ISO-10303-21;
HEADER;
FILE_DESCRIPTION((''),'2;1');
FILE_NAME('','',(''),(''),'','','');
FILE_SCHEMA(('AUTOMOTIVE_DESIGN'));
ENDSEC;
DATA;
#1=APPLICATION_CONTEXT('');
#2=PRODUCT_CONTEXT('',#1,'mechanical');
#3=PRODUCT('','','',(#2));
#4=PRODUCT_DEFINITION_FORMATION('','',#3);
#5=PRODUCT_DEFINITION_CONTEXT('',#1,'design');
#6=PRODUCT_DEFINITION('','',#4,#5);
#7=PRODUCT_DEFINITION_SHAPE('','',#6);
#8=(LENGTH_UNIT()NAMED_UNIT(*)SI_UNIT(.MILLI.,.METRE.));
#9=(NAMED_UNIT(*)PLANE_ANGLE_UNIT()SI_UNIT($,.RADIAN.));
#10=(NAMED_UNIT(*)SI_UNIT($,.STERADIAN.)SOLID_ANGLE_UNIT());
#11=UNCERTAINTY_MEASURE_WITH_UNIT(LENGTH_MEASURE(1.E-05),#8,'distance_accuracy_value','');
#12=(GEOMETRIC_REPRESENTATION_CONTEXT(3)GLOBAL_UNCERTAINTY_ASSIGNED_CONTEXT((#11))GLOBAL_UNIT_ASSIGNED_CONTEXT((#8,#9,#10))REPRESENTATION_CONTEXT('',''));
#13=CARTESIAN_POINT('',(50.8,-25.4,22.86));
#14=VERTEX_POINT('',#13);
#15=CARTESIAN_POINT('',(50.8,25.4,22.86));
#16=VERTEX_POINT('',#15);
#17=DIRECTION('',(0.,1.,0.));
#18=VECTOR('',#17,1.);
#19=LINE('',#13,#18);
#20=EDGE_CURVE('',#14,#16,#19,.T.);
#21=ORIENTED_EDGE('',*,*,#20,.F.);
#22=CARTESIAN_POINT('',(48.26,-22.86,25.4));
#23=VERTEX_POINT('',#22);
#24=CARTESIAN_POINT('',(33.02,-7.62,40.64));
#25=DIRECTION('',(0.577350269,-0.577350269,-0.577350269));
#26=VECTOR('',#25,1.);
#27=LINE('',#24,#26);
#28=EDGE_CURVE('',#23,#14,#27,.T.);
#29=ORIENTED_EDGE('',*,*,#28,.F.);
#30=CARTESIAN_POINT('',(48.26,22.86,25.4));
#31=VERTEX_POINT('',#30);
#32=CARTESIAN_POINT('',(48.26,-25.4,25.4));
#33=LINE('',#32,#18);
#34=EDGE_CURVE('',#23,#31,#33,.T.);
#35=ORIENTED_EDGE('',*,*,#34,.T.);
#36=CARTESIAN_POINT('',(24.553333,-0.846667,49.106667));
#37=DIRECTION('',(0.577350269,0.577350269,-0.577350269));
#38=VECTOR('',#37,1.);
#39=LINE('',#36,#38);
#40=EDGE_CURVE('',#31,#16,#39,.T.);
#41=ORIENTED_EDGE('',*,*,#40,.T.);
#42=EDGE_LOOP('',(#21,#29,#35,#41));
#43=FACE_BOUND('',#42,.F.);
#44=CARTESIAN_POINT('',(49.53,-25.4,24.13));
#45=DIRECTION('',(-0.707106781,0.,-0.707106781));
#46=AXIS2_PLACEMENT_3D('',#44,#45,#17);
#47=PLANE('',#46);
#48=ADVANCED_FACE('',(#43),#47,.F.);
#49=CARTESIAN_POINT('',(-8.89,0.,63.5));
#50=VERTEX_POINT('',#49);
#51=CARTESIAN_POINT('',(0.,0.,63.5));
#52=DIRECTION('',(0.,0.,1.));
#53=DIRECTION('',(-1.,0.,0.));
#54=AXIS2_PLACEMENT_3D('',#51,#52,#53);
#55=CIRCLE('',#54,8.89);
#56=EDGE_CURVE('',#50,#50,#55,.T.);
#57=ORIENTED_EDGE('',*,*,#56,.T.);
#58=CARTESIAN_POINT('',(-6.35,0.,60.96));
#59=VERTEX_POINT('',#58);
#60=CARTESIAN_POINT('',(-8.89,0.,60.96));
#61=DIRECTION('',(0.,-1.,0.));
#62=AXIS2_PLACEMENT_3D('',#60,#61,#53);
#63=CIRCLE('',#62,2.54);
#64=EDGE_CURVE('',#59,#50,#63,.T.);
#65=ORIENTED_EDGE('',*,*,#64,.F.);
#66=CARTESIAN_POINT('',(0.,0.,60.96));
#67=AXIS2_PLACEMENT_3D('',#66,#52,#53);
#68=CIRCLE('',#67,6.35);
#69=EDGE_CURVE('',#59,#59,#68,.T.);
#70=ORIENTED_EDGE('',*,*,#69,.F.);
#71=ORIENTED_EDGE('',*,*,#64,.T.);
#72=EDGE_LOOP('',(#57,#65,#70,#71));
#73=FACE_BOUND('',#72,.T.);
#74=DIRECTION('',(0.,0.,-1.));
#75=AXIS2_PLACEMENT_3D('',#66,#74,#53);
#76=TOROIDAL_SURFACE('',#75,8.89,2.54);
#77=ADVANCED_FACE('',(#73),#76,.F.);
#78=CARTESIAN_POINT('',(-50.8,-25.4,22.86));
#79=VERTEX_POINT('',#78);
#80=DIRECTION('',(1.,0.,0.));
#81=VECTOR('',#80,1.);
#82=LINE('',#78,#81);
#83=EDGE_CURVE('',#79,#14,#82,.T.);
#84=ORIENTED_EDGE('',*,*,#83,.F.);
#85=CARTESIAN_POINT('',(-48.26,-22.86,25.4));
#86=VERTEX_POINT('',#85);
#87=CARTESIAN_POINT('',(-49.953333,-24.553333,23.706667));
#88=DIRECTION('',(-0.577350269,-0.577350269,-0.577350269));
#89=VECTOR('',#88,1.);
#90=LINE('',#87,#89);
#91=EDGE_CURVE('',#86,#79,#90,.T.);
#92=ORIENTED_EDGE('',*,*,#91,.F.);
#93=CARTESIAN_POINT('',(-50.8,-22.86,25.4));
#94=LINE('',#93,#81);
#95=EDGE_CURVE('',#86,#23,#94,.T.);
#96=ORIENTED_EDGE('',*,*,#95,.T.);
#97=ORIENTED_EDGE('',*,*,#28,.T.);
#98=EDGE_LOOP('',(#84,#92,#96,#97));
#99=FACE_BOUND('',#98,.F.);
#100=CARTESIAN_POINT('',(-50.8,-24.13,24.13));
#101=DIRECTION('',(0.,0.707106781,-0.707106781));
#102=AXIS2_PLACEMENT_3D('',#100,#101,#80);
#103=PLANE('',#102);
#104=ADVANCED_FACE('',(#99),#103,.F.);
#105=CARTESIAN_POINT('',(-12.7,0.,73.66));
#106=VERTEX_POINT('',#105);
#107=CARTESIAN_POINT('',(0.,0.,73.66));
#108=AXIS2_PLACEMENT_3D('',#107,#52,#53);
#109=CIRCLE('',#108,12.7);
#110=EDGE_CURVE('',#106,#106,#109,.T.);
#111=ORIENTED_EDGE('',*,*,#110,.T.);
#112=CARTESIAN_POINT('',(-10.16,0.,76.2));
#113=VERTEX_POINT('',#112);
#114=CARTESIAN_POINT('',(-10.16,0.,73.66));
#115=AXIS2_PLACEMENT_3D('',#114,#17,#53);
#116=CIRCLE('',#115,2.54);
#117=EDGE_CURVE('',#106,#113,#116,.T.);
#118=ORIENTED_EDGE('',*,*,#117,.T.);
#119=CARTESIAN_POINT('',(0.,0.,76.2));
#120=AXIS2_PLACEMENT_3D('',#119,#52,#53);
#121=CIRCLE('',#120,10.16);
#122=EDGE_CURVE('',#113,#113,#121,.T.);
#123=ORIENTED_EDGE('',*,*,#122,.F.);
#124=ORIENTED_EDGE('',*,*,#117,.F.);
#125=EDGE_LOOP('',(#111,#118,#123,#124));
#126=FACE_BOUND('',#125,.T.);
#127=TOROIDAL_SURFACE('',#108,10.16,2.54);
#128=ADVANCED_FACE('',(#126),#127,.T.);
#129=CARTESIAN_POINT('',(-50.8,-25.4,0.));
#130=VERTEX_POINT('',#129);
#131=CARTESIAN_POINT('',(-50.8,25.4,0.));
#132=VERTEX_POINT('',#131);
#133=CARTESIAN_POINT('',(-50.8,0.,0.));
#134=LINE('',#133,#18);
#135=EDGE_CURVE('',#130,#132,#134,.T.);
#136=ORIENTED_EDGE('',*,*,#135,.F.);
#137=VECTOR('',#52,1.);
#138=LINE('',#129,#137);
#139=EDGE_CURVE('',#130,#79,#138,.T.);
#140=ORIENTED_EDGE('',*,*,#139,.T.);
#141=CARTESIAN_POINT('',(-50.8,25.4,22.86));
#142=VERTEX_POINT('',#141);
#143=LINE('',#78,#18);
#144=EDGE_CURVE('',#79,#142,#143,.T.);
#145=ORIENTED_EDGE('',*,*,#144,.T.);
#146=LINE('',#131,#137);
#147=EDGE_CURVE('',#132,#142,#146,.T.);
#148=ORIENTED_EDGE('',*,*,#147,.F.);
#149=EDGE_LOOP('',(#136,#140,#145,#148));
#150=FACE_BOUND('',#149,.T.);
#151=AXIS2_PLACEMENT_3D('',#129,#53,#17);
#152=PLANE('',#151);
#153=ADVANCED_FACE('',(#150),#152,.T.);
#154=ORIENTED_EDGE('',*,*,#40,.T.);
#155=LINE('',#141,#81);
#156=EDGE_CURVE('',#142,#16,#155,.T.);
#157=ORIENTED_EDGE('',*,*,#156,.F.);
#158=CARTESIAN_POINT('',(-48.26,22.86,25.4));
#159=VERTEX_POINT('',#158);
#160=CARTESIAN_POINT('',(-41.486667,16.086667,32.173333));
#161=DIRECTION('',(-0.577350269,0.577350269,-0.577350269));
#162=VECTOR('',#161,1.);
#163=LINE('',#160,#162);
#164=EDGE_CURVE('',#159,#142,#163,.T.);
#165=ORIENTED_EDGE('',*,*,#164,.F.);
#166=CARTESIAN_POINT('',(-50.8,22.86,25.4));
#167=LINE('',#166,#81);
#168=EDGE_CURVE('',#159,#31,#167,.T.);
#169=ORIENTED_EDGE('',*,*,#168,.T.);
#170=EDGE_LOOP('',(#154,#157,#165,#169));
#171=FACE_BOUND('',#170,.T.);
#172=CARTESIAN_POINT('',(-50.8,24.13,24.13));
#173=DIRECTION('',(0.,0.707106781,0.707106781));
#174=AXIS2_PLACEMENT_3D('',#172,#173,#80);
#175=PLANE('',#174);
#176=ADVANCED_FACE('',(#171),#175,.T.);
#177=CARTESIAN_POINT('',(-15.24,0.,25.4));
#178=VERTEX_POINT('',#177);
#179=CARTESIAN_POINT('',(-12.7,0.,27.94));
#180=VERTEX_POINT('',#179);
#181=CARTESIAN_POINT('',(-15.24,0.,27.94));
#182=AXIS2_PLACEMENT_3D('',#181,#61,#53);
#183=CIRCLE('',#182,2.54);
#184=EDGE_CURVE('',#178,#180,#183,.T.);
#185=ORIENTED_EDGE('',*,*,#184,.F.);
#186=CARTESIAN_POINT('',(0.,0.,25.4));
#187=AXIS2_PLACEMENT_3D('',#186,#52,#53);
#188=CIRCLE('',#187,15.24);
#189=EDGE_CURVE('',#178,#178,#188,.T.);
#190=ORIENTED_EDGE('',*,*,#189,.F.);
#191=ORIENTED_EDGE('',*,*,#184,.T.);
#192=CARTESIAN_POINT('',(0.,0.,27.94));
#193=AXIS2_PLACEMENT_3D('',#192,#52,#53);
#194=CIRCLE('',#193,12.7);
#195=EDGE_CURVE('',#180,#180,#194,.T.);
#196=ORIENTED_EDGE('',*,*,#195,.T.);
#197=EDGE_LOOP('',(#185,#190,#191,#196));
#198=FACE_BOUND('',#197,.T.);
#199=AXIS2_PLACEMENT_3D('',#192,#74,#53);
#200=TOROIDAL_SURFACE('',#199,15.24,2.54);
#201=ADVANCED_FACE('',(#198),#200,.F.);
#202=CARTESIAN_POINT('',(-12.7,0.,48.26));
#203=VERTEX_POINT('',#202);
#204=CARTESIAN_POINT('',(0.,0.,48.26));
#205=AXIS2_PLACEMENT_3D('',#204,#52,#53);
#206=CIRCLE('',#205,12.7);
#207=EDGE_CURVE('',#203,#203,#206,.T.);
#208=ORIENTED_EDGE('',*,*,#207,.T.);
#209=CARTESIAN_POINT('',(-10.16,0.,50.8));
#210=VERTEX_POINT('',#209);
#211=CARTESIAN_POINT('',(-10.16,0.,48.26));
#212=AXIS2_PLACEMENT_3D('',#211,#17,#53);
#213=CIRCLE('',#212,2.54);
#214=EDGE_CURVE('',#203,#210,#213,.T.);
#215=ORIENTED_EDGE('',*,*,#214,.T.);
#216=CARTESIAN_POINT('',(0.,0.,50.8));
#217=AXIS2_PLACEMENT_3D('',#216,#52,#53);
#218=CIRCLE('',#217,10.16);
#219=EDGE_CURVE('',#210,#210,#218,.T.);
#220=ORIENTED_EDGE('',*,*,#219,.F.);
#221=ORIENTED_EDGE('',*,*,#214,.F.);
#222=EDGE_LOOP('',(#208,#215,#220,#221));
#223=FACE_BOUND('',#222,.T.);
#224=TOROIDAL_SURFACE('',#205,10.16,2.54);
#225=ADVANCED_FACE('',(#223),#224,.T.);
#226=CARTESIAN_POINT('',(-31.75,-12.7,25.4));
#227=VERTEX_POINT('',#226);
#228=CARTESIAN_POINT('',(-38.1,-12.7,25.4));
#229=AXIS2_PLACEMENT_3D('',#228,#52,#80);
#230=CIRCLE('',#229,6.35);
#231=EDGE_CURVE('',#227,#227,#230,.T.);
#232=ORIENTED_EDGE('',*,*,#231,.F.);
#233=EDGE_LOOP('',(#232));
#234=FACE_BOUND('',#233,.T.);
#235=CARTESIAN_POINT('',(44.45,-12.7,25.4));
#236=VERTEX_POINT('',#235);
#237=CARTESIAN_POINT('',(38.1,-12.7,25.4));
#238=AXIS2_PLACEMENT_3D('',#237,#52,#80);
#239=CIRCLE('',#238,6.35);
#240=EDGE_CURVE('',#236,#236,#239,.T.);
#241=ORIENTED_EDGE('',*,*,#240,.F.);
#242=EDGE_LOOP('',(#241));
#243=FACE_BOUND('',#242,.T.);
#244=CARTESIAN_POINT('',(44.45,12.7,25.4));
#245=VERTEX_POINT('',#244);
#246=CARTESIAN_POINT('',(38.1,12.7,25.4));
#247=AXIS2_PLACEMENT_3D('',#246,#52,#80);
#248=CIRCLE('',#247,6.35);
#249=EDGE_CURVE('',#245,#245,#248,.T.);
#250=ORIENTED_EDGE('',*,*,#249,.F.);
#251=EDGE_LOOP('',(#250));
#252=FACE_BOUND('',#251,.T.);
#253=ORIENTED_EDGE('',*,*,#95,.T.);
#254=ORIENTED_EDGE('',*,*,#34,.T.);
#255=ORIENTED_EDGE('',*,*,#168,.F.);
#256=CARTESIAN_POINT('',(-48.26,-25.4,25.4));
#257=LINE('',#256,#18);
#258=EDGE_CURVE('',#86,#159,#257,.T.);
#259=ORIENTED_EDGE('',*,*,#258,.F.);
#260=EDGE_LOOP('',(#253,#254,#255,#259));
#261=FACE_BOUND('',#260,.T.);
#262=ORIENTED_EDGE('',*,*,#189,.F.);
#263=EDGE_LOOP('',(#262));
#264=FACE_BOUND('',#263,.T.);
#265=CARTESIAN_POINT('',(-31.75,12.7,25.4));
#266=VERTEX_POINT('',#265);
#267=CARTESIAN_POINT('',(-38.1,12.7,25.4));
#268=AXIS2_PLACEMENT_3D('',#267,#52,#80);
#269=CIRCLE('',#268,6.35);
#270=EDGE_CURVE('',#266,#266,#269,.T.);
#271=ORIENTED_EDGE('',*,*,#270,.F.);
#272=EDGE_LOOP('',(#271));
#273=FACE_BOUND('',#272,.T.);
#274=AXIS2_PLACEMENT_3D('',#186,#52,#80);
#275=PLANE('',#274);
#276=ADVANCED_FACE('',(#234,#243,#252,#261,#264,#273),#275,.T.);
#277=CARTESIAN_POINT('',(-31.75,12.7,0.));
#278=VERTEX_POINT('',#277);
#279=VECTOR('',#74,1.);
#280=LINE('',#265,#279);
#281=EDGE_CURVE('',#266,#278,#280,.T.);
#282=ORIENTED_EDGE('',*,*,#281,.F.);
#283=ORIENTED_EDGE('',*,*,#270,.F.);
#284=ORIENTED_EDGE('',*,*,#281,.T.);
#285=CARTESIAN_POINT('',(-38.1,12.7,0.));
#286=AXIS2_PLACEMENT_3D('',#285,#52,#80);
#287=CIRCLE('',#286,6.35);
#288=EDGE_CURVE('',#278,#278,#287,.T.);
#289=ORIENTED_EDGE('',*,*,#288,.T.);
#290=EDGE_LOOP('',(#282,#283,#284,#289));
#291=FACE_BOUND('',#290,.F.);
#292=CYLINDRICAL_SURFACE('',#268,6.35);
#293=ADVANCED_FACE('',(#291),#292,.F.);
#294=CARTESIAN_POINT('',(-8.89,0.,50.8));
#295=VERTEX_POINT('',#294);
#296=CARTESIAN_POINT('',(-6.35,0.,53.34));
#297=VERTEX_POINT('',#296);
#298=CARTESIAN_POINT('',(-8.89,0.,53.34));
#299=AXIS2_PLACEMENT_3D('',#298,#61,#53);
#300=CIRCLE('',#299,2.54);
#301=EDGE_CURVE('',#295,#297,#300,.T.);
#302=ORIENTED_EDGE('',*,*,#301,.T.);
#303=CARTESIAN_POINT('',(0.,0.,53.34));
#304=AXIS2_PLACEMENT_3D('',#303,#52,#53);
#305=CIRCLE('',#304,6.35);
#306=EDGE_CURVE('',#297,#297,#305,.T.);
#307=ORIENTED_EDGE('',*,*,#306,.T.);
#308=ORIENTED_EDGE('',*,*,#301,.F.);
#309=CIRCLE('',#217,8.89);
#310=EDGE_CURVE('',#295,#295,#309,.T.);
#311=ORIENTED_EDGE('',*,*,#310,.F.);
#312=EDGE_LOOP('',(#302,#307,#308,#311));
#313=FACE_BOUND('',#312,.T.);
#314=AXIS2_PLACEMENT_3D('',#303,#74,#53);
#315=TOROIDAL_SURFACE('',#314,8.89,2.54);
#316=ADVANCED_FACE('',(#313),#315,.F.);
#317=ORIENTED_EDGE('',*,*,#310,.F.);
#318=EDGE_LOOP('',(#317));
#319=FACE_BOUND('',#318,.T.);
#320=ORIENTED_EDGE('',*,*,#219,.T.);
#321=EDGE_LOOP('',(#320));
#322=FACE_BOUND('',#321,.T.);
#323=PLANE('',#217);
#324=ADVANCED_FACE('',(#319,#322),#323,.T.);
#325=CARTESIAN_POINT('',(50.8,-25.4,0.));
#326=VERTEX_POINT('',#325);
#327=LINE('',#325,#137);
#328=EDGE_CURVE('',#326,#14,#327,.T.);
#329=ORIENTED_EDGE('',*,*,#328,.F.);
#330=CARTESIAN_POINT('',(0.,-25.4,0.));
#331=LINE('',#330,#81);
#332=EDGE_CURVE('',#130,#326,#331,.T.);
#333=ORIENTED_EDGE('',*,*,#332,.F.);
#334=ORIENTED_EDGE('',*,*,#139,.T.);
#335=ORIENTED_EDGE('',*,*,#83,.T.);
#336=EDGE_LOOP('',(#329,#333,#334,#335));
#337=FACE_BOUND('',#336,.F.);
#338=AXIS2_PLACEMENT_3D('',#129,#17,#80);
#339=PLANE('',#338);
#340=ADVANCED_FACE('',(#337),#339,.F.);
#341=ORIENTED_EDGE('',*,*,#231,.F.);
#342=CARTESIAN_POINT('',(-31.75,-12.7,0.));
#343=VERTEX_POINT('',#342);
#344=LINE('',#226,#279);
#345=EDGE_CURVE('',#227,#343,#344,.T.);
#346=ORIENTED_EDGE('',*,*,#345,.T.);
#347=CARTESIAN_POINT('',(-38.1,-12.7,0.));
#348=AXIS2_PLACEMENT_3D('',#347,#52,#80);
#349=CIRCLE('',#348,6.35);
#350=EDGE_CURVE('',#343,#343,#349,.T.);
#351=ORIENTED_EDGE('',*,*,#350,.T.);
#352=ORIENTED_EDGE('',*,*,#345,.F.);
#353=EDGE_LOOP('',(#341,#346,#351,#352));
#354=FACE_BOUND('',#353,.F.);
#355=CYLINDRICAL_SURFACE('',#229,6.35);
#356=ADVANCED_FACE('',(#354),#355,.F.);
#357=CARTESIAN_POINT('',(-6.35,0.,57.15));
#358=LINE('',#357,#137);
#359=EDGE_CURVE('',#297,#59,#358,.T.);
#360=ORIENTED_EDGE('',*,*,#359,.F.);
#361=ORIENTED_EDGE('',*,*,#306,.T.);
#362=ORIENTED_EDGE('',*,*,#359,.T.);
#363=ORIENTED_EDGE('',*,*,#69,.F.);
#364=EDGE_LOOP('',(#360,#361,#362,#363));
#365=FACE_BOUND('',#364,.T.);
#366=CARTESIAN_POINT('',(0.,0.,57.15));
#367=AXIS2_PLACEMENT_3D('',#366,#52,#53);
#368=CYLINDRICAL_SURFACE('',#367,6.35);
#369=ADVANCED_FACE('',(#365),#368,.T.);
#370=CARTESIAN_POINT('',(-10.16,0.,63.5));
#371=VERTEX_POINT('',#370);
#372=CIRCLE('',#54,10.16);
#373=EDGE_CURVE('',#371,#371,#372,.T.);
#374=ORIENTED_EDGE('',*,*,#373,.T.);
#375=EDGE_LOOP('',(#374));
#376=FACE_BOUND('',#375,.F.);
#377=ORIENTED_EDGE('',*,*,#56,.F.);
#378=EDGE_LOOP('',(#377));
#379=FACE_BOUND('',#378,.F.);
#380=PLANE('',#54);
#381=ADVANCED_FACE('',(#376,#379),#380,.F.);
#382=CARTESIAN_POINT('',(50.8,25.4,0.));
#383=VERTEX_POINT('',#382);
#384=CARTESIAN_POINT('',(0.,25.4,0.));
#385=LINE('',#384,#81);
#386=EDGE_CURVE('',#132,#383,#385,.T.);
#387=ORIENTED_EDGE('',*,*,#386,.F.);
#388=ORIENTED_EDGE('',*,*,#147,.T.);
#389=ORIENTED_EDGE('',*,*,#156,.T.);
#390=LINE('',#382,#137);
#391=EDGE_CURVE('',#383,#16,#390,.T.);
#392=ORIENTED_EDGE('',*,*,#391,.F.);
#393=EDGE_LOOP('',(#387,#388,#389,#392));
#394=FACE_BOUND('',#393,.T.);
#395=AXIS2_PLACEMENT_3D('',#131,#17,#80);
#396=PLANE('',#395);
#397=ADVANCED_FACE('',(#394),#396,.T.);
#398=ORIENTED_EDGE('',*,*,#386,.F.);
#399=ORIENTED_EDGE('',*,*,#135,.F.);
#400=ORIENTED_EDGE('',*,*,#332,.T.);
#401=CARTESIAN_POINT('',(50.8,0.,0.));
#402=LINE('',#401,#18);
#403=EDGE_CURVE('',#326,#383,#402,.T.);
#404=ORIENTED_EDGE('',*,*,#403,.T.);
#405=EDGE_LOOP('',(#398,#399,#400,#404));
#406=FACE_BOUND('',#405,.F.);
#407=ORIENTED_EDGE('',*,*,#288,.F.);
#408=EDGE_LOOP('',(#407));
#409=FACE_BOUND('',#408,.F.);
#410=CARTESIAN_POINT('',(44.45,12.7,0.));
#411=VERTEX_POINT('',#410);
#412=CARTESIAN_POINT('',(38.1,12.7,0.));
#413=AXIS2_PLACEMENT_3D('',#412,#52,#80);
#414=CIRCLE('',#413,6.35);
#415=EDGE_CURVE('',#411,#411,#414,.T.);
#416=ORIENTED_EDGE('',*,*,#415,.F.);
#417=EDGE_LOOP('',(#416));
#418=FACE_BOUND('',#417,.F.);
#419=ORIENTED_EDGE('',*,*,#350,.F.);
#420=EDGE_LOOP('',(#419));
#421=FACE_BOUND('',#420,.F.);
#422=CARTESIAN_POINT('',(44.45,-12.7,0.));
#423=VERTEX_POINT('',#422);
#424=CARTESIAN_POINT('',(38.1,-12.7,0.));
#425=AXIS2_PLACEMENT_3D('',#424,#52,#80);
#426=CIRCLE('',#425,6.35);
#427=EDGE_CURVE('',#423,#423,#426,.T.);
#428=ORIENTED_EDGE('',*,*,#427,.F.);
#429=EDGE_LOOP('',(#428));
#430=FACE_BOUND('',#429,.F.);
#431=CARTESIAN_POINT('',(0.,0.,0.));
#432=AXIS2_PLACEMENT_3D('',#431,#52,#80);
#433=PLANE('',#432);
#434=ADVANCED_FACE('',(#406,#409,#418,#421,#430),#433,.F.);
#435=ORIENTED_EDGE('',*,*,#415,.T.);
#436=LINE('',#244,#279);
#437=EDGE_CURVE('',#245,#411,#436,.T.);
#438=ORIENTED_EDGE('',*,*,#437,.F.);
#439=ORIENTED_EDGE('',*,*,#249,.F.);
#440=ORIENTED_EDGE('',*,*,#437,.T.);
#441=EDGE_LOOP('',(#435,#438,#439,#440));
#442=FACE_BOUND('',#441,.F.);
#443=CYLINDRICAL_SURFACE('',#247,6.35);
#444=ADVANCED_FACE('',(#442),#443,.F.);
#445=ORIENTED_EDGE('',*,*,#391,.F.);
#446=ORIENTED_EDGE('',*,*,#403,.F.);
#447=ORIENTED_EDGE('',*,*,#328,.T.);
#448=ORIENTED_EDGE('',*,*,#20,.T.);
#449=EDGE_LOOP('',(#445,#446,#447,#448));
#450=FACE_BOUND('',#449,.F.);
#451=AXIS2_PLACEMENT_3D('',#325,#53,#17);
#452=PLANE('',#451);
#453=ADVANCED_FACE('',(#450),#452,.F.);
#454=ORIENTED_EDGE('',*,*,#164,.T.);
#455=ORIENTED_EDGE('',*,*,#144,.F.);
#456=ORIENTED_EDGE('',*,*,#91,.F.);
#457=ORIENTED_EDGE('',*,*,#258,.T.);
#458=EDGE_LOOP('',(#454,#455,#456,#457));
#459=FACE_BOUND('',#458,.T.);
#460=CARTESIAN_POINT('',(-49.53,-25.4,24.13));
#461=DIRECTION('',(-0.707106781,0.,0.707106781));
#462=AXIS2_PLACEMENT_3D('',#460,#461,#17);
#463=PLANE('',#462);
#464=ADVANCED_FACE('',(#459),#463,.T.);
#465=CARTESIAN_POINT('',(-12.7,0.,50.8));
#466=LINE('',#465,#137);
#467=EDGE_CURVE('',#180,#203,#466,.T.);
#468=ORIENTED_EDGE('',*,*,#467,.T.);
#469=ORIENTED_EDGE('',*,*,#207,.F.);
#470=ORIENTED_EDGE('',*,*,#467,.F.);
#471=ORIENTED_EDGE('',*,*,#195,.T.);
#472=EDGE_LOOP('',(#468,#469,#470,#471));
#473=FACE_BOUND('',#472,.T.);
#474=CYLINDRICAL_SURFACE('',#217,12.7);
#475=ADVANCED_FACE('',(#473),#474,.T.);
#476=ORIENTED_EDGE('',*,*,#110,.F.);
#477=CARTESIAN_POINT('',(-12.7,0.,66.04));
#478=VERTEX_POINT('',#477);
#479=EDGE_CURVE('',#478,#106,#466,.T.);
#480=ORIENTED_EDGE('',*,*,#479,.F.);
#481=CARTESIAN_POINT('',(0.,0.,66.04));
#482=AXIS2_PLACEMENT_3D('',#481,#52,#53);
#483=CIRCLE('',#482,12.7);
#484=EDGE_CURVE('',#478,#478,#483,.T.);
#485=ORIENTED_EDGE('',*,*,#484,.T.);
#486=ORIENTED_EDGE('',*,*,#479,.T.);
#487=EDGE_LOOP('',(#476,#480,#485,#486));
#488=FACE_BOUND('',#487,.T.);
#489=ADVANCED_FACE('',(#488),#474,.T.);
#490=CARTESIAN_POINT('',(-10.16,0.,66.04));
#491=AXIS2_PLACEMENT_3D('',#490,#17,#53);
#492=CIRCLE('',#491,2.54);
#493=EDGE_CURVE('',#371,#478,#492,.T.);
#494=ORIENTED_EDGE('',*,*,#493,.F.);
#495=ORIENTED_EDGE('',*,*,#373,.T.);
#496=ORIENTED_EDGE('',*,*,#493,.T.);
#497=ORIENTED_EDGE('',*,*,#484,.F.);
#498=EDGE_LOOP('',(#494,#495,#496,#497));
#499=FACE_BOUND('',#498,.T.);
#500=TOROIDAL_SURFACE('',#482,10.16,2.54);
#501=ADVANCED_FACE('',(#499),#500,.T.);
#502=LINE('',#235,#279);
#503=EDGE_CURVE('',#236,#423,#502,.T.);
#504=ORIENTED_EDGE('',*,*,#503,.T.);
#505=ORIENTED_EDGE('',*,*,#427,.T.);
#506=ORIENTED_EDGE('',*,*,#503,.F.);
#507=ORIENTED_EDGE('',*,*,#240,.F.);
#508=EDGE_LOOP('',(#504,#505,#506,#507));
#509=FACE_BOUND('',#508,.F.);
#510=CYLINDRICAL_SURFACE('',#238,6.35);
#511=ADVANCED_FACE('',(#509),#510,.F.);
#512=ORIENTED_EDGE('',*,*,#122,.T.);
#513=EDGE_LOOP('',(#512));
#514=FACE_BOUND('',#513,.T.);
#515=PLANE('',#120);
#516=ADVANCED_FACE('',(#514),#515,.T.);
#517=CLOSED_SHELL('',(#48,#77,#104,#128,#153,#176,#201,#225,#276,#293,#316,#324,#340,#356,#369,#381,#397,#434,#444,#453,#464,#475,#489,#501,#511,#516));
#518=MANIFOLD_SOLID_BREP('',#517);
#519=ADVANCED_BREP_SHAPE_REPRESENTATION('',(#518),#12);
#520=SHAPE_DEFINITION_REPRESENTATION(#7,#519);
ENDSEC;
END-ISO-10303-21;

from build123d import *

# Parameters (mm, degrees)
F0_W     = 101.6
F0_H     = 50.8
F1_DEPTH = 25.4
F2_R     = 6.35
F3_DEPTH = 25.401
F4_W     = 12.7
F4_H     = 50.8
F6_W     = 14.0765146797
F6_H     = 12.7
F8_R     = 2.54
F9_SIZE  = 2.54


with BuildPart() as f1:
    # F0 (on Top) → F1 (new body)
    with BuildSketch(Plane.XY):
        Rectangle(F0_W, F0_H)
    extrude(amount=F1_DEPTH)

    # F2 (on face) → F3 (cut, through all)
    with BuildSketch(Plane.XY.offset(25.4)):
        with Locations((-38.1, 12.7)):
            Circle(F2_R)
        with Locations((-38.1, -12.7)):
            Circle(F2_R)
        with Locations((38.1, 12.7)):
            Circle(F2_R)
        with Locations((38.1, -12.7)):
            Circle(F2_R)
    extrude(amount=-F3_DEPTH, mode=Mode.SUBTRACT)

    # F4 (on Front) → F5 (revolve)
    with BuildSketch(Plane.XZ):
        with Locations((-6.35, 50.8)):
            Rectangle(F4_W, F4_H)
    revolve(axis=Axis((0, 0, 50.8), (0, 0, 1)))

    # F6 (on Front) → F7 (revolve, cut)
    with BuildSketch(Plane.XZ):
        with Locations((-13.3882573399, 57.15)):
            Rectangle(F6_W, F6_H)
    revolve(axis=Axis((0, 0, 39.0692129731), (0, 0, 1)), mode=Mode.SUBTRACT)

    # F8
    f8_edges = [f1.edges().sort_by_distance(p)[0] for p in [
        (12.7, 0, 50.8),
        (6.35, 0, 50.8),
        (12.7, 0, 76.2),
        (12.7, 0, 63.5),
        (6.35, 0, 63.5),
        (12.7, 0, 25.4),
    ]]
    fillet(f8_edges, radius=F8_R)

    # F9
    f9_edges = [f1.edges().sort_by_distance(p)[0] for p in [
        (0, -25.4, 25.4),
        (-50.8, 0, 25.4),
        (0, 25.4, 25.4),
        (50.8, 0, 25.4),
    ]]
    chamfer(f9_edges, length=F9_SIZE)


solid = f1.part
